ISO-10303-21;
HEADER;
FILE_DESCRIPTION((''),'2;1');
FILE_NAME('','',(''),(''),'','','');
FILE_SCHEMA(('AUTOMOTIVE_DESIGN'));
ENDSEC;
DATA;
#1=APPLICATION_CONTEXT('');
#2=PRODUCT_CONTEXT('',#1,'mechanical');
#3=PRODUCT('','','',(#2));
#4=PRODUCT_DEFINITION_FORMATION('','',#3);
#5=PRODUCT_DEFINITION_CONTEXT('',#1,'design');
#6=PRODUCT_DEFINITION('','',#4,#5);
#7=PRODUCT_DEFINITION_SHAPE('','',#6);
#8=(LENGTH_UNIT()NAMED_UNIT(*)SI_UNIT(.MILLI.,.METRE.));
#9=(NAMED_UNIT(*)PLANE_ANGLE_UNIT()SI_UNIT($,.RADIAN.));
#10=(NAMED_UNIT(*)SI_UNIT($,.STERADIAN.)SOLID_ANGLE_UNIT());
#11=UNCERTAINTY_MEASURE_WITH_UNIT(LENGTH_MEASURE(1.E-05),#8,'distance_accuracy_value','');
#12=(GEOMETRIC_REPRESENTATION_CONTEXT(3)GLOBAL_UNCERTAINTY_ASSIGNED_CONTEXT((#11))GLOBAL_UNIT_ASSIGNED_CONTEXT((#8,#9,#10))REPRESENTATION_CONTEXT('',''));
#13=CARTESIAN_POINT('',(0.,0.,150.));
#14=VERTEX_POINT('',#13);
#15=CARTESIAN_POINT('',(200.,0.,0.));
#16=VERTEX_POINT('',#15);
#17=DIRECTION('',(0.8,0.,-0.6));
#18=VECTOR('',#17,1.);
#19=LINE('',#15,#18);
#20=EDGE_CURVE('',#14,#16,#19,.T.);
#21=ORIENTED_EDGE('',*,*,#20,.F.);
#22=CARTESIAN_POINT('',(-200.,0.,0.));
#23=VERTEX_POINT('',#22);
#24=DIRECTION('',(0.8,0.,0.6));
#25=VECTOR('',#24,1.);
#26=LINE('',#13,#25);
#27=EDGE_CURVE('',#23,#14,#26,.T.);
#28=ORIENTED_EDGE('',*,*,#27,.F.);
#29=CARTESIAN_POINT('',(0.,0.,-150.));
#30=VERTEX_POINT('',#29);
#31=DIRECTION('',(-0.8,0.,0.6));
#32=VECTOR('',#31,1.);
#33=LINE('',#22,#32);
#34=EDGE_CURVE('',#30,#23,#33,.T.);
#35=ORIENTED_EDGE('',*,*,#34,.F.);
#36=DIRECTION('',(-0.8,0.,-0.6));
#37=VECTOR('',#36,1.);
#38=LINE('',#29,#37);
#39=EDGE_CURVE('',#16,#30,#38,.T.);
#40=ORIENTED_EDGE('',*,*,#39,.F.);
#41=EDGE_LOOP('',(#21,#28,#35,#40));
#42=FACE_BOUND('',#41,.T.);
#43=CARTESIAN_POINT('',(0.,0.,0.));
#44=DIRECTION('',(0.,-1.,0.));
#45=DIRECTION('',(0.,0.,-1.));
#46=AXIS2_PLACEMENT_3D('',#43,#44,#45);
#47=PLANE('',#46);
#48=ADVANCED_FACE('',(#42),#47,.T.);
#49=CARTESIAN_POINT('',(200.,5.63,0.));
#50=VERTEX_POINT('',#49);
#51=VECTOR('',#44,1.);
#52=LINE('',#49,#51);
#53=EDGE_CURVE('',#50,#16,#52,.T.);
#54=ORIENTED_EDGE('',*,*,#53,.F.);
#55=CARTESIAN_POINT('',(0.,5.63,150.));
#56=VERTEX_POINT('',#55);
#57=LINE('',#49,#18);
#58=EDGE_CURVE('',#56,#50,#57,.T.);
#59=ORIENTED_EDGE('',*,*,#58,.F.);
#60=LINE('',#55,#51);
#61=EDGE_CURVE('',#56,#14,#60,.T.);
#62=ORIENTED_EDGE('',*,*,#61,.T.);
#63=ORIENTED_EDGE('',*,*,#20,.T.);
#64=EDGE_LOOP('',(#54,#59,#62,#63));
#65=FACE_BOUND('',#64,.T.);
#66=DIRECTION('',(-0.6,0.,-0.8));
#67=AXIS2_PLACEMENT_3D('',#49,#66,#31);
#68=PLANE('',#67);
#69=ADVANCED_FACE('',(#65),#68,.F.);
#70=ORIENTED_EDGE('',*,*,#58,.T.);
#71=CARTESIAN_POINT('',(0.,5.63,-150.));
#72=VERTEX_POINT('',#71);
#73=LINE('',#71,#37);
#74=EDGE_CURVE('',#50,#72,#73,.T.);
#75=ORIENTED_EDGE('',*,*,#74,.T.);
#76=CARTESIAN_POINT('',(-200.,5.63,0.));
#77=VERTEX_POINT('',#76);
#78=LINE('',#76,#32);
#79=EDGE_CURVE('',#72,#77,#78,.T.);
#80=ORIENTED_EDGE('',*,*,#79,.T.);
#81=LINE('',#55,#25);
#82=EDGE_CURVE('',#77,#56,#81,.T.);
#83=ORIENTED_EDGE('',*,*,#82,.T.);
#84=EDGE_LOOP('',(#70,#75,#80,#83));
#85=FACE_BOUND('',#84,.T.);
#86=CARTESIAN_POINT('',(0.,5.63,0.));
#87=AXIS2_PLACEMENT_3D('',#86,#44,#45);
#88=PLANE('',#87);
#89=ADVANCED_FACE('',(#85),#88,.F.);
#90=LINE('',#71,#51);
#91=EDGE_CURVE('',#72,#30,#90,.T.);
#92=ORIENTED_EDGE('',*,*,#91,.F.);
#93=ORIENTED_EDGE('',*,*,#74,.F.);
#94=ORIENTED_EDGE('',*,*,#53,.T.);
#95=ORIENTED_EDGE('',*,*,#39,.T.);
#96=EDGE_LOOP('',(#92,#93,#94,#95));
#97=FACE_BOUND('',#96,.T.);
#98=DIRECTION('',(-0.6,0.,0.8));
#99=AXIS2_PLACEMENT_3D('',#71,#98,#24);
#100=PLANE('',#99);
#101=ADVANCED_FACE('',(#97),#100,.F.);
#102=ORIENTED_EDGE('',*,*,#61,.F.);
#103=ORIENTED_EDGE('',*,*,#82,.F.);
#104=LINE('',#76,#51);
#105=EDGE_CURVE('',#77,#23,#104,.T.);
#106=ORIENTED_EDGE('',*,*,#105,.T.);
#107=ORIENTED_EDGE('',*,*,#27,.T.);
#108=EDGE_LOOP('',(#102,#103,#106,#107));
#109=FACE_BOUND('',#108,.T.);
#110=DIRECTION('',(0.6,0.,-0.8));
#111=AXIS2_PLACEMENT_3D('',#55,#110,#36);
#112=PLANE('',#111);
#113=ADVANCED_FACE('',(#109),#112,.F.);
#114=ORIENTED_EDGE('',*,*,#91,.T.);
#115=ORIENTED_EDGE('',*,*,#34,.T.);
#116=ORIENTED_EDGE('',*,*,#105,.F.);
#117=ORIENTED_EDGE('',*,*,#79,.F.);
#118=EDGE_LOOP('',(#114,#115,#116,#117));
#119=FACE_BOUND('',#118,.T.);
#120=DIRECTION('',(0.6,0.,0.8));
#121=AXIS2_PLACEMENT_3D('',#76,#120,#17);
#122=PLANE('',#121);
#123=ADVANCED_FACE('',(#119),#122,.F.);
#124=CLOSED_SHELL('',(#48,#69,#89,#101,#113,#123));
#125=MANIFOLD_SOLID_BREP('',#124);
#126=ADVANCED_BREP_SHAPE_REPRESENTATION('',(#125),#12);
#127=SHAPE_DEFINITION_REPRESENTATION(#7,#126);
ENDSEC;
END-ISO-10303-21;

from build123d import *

# Parameters (mm, degrees)
BOSS_EXTRUDE1_DEPTH = 5.63


with BuildPart() as part:
    # Sketch1 → Boss-Extrude1 (new body)
    with BuildSketch(Plane(origin=(0, 0, 0), x_dir=(1, 0, 0), z_dir=(0, 1, 0))):
        Polygon((0, 150), (200, 0), (0, -150), (-200, 0), align=None)
    extrude(amount=BOSS_EXTRUDE1_DEPTH)


solid = part.part
